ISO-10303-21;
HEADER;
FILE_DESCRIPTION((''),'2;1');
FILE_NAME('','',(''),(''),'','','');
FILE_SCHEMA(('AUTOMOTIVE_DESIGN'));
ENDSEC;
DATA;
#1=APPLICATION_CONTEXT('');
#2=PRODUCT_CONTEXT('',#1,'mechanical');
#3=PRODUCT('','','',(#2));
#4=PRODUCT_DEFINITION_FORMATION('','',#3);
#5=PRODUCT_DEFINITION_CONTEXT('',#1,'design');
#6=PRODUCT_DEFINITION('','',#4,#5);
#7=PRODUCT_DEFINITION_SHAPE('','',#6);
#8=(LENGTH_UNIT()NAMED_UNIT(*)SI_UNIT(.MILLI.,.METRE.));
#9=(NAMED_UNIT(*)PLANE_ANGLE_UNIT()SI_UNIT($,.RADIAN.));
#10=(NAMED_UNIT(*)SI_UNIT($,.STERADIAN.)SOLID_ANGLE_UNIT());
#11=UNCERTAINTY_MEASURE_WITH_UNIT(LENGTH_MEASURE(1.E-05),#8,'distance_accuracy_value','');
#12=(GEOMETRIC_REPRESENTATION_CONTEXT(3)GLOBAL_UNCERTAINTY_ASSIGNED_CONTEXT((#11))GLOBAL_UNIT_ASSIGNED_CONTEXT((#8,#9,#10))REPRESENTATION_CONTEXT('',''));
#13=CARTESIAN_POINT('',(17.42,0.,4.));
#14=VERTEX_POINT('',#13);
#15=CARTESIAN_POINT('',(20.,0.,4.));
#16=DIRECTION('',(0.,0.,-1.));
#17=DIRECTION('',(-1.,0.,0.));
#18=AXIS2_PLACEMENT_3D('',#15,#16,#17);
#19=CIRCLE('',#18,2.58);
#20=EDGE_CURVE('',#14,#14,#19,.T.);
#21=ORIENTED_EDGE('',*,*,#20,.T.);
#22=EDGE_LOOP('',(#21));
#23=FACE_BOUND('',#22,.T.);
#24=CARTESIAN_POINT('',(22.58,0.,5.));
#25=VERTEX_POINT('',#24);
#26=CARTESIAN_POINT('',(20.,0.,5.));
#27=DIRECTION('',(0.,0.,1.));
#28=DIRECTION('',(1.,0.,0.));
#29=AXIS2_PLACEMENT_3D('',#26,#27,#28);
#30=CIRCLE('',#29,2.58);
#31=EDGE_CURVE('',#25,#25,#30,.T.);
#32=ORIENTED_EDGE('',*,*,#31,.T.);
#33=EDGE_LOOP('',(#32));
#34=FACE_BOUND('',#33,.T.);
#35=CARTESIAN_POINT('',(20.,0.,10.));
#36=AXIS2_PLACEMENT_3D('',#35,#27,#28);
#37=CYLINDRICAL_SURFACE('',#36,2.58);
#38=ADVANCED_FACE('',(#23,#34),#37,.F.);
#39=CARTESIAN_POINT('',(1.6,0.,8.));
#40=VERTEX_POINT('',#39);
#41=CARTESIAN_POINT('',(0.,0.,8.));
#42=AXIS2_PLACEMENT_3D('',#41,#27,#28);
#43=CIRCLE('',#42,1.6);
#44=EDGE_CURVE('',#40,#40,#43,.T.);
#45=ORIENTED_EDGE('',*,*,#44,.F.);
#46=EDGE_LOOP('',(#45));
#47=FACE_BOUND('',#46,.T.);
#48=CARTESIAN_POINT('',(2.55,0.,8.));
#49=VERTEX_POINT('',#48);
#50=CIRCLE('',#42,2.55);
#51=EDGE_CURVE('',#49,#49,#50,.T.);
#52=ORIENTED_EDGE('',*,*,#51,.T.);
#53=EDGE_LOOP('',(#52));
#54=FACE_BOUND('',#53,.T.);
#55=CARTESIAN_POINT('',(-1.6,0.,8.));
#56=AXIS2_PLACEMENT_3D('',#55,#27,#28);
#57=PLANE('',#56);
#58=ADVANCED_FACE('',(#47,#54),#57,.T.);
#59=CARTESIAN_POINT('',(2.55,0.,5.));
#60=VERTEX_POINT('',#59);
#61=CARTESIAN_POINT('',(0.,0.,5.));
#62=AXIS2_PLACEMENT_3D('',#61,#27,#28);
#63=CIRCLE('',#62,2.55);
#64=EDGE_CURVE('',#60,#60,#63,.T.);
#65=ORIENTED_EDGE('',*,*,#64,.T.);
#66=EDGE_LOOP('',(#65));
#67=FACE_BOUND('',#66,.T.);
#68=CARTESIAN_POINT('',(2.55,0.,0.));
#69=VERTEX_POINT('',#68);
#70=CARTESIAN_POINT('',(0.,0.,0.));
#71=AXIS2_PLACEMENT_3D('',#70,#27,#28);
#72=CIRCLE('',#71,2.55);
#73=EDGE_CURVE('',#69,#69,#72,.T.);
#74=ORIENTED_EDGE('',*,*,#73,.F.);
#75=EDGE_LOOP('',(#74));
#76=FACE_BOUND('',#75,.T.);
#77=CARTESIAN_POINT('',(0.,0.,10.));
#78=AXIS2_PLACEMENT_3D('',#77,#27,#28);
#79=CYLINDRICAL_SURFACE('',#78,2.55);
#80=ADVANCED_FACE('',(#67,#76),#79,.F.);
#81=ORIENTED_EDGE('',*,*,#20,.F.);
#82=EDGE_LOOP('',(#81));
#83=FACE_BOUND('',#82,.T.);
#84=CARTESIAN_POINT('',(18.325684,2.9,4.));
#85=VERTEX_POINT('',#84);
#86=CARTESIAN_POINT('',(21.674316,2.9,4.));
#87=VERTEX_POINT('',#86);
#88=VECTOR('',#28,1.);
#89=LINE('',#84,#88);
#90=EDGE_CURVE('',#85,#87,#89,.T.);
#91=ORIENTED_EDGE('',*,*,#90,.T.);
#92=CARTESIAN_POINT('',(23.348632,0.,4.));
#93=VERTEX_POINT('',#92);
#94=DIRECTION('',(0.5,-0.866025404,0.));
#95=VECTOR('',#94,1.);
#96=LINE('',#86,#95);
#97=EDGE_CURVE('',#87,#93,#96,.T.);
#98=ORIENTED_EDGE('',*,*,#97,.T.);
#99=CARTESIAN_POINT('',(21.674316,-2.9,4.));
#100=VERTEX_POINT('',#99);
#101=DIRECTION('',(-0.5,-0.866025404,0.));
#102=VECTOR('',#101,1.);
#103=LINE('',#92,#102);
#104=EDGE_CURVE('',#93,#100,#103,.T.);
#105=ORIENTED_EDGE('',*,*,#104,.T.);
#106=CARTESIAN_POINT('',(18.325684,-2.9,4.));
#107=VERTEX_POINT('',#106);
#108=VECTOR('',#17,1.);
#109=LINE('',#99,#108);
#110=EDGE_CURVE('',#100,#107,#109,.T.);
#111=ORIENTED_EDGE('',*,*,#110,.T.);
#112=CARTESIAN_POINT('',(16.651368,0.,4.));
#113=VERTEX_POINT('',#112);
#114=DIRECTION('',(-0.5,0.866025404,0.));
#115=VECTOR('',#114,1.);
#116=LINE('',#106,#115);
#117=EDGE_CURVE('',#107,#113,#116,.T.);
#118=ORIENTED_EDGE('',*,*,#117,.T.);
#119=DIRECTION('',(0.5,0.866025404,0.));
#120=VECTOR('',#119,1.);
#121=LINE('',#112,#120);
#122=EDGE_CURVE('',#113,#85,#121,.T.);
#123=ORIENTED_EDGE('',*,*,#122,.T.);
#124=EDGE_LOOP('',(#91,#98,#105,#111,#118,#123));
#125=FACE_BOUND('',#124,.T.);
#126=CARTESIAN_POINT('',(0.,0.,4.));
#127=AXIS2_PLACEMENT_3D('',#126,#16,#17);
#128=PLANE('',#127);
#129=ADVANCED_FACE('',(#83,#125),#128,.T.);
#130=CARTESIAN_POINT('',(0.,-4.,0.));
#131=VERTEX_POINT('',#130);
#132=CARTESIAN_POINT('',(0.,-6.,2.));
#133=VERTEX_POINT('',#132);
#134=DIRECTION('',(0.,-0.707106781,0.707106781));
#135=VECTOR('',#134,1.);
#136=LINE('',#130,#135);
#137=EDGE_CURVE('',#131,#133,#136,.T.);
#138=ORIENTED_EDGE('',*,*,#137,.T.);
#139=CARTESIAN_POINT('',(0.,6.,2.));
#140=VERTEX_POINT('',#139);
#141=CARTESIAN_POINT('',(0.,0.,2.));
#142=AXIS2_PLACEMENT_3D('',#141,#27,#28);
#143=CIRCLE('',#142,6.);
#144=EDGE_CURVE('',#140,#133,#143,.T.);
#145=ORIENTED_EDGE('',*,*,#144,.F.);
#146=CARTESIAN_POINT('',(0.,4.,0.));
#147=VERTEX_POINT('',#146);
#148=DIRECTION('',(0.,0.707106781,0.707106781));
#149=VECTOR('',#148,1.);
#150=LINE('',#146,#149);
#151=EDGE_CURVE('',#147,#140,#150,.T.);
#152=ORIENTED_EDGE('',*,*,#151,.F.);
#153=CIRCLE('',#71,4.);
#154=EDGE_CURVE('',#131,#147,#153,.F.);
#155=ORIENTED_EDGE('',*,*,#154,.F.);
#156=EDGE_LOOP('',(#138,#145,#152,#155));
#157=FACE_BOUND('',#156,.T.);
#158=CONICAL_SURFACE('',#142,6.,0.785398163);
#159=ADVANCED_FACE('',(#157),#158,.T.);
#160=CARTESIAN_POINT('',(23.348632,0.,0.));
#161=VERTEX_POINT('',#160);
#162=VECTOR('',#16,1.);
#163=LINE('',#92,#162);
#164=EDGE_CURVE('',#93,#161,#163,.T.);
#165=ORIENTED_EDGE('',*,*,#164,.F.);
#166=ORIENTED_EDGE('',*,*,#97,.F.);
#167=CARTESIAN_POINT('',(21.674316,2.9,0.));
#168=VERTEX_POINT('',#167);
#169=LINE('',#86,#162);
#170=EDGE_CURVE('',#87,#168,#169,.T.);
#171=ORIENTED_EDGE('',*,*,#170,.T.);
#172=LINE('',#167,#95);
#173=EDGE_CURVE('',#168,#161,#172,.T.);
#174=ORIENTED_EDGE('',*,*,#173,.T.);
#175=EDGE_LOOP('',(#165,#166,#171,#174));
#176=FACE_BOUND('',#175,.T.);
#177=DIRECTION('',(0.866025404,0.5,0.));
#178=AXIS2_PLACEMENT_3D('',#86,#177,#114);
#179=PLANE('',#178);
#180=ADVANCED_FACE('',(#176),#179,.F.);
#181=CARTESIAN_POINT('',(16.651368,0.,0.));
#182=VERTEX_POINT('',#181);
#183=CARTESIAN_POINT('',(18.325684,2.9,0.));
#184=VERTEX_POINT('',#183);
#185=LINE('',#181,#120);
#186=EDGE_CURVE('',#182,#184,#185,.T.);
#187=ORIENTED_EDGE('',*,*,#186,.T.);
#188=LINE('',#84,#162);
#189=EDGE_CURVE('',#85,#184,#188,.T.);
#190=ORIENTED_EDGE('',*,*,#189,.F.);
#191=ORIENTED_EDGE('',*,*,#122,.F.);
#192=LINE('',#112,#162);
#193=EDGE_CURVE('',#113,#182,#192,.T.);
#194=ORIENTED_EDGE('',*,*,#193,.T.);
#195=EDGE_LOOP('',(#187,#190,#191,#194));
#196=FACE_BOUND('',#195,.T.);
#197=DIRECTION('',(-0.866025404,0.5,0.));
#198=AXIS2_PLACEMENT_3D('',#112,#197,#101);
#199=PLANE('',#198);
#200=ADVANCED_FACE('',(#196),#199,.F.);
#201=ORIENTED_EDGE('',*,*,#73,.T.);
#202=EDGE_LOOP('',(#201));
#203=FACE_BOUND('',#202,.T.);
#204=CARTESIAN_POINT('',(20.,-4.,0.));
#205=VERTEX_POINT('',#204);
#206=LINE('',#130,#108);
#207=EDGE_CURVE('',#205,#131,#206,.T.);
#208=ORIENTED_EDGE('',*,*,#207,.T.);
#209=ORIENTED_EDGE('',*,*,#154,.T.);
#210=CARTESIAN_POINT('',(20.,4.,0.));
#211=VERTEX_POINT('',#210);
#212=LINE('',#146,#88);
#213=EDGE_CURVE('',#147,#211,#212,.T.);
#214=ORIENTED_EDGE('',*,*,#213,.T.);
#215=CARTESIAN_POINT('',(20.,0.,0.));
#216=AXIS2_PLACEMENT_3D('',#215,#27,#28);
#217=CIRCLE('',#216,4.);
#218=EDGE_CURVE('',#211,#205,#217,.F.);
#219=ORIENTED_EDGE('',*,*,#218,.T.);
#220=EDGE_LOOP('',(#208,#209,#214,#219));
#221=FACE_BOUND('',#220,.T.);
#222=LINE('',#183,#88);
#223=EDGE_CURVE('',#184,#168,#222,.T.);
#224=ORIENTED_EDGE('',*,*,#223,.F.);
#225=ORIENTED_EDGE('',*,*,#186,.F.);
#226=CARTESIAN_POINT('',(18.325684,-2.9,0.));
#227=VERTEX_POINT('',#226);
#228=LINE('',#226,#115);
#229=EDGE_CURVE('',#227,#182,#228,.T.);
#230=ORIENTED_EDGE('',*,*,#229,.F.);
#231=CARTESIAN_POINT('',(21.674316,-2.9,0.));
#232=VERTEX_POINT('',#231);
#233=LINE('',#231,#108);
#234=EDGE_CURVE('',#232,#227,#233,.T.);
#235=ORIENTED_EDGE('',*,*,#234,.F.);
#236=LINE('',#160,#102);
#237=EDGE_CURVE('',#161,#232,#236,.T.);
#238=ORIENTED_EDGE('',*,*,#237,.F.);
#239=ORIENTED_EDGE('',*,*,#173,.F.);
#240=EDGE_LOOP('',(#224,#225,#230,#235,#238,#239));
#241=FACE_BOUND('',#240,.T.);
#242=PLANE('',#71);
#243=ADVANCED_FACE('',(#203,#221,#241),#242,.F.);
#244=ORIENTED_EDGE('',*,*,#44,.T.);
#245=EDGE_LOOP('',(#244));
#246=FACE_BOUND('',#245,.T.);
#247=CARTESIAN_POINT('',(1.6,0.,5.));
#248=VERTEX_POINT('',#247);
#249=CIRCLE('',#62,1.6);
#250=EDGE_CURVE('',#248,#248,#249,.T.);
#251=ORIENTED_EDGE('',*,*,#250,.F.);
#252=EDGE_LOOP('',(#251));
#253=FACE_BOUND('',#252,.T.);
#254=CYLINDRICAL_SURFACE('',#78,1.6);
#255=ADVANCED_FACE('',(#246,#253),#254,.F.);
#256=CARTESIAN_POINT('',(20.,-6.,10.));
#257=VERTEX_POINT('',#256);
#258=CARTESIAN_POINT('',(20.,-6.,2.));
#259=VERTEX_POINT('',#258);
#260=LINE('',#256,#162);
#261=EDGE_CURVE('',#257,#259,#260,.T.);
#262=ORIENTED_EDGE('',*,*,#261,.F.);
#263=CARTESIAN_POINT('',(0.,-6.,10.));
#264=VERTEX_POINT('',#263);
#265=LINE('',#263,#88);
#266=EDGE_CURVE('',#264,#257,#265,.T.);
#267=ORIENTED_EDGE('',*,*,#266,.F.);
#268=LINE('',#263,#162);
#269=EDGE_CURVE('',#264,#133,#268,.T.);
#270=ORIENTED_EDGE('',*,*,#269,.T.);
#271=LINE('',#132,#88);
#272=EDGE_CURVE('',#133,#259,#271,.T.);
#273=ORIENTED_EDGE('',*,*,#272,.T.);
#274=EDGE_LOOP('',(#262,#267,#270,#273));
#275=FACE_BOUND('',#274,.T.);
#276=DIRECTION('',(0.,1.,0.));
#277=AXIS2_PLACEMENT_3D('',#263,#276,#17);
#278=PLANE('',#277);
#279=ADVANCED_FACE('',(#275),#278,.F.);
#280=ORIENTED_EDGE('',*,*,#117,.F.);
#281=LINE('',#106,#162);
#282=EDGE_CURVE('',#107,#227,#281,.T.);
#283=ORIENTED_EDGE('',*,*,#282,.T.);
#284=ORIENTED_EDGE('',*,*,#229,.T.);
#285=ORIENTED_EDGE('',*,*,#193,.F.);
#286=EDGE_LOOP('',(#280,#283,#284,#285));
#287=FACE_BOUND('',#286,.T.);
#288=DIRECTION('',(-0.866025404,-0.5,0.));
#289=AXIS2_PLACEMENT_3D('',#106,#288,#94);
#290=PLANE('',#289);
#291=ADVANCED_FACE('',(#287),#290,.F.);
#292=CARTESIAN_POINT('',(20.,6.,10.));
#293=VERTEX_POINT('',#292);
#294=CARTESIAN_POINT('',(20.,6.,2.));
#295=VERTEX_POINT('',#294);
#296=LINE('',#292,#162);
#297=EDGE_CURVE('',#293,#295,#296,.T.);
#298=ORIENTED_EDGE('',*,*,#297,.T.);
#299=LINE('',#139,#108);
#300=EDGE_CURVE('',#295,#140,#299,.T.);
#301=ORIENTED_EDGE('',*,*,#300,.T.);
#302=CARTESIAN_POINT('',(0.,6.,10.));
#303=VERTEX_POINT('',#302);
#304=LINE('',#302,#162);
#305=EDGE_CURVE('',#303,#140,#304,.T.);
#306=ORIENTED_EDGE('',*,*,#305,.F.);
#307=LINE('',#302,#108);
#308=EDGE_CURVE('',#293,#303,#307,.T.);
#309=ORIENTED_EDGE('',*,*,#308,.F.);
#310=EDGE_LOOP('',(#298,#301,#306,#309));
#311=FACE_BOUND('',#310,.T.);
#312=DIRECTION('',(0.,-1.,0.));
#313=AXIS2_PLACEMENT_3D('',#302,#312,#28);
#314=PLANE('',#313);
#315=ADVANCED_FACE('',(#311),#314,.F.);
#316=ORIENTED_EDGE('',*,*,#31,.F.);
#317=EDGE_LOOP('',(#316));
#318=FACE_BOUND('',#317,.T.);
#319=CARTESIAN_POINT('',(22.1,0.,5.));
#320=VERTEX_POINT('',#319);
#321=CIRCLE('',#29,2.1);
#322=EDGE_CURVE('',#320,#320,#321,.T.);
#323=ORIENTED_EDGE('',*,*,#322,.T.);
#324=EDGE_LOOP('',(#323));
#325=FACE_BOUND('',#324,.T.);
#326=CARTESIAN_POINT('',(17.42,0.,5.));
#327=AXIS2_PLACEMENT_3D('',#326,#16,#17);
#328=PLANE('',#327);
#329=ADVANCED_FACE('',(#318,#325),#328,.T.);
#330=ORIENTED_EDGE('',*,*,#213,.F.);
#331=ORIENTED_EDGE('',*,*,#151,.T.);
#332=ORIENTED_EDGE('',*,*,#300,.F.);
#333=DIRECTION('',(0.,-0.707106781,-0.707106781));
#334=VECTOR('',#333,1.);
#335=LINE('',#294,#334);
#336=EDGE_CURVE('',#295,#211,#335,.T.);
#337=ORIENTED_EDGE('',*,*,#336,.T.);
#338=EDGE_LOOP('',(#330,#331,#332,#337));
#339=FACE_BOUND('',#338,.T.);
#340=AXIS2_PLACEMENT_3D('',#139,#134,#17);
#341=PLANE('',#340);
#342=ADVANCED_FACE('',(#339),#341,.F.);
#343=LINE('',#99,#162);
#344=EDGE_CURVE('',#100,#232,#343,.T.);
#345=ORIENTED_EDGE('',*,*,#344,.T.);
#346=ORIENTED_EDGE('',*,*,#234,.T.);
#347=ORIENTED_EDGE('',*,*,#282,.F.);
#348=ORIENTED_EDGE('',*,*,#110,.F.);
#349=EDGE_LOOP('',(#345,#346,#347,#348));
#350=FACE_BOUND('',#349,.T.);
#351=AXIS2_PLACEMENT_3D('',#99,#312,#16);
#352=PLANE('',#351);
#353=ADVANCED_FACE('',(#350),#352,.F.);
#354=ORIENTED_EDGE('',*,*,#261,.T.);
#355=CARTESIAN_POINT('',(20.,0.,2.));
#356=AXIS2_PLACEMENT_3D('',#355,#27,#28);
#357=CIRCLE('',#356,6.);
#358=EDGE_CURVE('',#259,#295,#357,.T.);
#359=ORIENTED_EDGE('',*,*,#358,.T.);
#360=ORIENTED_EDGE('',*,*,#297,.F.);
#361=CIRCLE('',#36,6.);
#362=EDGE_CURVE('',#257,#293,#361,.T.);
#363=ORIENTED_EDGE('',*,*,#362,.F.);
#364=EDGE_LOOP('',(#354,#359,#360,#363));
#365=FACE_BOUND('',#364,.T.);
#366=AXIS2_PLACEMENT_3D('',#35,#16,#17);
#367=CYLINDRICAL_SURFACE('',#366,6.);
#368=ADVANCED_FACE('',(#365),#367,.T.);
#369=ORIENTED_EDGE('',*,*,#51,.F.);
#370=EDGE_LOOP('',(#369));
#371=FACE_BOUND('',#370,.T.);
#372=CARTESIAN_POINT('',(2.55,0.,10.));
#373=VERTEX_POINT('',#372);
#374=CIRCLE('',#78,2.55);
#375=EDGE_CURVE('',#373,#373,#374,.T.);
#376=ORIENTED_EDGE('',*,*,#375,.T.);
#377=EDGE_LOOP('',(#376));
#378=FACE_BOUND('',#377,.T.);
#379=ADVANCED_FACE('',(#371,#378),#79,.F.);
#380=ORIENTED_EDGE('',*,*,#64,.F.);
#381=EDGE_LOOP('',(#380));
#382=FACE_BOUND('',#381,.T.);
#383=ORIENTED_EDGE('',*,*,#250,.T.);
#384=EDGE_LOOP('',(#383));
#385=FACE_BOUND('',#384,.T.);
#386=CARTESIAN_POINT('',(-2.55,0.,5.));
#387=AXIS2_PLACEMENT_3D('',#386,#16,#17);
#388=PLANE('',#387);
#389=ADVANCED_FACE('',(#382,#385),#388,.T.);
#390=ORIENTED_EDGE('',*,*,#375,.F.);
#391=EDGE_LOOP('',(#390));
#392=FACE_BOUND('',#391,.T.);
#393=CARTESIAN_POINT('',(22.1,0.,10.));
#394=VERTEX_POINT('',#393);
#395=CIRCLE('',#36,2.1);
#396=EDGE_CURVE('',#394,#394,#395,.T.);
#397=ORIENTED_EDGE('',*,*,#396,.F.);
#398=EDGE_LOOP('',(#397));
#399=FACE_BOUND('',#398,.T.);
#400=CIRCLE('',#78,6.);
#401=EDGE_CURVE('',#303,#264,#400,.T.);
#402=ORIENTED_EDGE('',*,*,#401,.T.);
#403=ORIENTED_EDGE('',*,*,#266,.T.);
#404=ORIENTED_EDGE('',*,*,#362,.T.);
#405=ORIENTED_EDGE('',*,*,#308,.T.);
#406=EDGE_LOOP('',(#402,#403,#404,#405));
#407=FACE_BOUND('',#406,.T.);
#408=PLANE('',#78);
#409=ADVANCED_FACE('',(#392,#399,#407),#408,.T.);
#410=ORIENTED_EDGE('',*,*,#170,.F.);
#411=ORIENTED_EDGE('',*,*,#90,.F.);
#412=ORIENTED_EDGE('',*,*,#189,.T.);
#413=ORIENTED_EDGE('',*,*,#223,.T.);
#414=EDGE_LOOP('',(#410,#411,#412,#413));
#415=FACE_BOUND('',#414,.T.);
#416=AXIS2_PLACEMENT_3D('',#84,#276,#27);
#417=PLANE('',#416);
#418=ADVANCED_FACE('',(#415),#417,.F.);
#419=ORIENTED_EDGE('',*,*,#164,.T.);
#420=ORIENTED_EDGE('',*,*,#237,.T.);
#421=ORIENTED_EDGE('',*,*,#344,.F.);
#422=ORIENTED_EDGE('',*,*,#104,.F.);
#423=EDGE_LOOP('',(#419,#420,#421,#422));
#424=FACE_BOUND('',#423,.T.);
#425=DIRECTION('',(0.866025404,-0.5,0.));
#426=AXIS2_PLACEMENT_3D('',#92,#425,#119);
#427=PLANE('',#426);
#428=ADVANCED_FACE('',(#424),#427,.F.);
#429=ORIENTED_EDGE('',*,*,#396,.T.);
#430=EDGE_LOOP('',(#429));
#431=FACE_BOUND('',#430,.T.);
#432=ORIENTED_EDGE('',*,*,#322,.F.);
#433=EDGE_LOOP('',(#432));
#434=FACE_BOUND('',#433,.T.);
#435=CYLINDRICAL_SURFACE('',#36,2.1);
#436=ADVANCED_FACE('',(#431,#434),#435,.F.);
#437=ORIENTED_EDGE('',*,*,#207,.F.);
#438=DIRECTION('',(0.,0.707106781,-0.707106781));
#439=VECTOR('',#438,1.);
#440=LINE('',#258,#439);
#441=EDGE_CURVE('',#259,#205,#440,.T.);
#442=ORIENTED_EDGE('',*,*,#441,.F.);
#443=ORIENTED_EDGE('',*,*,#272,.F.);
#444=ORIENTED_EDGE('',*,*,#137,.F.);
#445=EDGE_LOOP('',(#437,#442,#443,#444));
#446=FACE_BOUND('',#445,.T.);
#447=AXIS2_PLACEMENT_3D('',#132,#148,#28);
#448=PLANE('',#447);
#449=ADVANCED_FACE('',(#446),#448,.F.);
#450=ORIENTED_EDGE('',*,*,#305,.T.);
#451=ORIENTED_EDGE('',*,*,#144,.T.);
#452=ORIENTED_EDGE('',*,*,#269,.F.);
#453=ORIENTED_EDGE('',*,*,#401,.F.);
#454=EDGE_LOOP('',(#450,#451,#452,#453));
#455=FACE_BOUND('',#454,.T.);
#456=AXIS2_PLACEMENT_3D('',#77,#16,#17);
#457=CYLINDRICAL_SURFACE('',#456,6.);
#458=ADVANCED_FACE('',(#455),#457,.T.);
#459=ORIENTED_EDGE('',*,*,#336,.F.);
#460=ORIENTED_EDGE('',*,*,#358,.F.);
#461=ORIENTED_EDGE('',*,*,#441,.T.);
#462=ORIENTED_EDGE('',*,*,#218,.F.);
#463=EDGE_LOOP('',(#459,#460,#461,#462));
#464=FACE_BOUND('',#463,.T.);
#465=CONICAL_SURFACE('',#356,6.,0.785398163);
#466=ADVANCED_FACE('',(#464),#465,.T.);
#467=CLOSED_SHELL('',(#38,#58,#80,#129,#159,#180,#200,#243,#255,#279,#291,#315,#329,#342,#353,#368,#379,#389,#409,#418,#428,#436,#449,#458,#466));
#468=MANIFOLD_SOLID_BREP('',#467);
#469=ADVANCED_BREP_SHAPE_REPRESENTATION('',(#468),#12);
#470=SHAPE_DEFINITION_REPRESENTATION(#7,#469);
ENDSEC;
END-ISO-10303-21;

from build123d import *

# Parameters (mm, degrees)
EXTRUDE_1_DEPTH     = 10
CHAMFER_1_SIZE      = 2
CUT_EXTRUDE_1_DEPTH = 4


with BuildPart() as part:
    # 草图1 → 凸台-拉伸1 (new body)
    with BuildSketch(Plane.XY):
        with BuildLine():
            Line((0, 6), (20, 6))
            ThreePointArc((20, 6), (26, 0), (20, -6))
            Line((20, -6), (0, -6))
            ThreePointArc((0, -6), (-6, 0), (0, 6))
        make_face()
    extrude(amount=EXTRUDE_1_DEPTH)

    # 草图2 → 切除-旋转1 (revolve, cut)
    with BuildSketch(Plane(origin=(0, 0, 0), x_dir=(1, 0, 0), z_dir=(0, 1, 0))):
        Polygon((0, 0), (-2.55, 0), (-2.55, -5), (-1.6, -5), (-1.6, -8), (-2.55, -8), (-2.55, -10), (0, -10), align=None)
    revolve(axis=Axis((0, 0, 10), (0, 0, -1)), mode=Mode.SUBTRACT)

    # 草图3 → 切除-旋转2 (revolve, cut)
    with BuildSketch(Plane(origin=(0, 0, 0), x_dir=(1, 0, 0), z_dir=(0, 1, 0))):
        Polygon((20, 0), (17.42, 0), (17.42, -5), (17.9, -5), (17.9, -10), (20, -10), align=None)
    revolve(axis=Axis((20, 0, 10), (0, 0, -1)), mode=Mode.SUBTRACT)

    # 倒角1
    chamfer_1_edges = [part.edges().sort_by_distance(p)[0] for p in [
        (10, 6, 0),
        (26, 0, 0),
        (10, -6, 0),
        (-6, 0, 0),
    ]]
    chamfer(chamfer_1_edges, length=CHAMFER_1_SIZE)

    # 草图4 → 切除-拉伸1 (cut)
    with BuildSketch(Plane(origin=(0, 0, 0), x_dir=(-1, 0, 0), z_dir=(0, 0, -1))):
        Polygon((-23.348631561, 0), (-21.674315781, -2.9), (-18.325684219, -2.9), (-16.651368439, 0), (-18.325684219, 2.9), (-21.674315781, 2.9), align=None)
    extrude(amount=-CUT_EXTRUDE_1_DEPTH, mode=Mode.SUBTRACT)


solid = part.part
